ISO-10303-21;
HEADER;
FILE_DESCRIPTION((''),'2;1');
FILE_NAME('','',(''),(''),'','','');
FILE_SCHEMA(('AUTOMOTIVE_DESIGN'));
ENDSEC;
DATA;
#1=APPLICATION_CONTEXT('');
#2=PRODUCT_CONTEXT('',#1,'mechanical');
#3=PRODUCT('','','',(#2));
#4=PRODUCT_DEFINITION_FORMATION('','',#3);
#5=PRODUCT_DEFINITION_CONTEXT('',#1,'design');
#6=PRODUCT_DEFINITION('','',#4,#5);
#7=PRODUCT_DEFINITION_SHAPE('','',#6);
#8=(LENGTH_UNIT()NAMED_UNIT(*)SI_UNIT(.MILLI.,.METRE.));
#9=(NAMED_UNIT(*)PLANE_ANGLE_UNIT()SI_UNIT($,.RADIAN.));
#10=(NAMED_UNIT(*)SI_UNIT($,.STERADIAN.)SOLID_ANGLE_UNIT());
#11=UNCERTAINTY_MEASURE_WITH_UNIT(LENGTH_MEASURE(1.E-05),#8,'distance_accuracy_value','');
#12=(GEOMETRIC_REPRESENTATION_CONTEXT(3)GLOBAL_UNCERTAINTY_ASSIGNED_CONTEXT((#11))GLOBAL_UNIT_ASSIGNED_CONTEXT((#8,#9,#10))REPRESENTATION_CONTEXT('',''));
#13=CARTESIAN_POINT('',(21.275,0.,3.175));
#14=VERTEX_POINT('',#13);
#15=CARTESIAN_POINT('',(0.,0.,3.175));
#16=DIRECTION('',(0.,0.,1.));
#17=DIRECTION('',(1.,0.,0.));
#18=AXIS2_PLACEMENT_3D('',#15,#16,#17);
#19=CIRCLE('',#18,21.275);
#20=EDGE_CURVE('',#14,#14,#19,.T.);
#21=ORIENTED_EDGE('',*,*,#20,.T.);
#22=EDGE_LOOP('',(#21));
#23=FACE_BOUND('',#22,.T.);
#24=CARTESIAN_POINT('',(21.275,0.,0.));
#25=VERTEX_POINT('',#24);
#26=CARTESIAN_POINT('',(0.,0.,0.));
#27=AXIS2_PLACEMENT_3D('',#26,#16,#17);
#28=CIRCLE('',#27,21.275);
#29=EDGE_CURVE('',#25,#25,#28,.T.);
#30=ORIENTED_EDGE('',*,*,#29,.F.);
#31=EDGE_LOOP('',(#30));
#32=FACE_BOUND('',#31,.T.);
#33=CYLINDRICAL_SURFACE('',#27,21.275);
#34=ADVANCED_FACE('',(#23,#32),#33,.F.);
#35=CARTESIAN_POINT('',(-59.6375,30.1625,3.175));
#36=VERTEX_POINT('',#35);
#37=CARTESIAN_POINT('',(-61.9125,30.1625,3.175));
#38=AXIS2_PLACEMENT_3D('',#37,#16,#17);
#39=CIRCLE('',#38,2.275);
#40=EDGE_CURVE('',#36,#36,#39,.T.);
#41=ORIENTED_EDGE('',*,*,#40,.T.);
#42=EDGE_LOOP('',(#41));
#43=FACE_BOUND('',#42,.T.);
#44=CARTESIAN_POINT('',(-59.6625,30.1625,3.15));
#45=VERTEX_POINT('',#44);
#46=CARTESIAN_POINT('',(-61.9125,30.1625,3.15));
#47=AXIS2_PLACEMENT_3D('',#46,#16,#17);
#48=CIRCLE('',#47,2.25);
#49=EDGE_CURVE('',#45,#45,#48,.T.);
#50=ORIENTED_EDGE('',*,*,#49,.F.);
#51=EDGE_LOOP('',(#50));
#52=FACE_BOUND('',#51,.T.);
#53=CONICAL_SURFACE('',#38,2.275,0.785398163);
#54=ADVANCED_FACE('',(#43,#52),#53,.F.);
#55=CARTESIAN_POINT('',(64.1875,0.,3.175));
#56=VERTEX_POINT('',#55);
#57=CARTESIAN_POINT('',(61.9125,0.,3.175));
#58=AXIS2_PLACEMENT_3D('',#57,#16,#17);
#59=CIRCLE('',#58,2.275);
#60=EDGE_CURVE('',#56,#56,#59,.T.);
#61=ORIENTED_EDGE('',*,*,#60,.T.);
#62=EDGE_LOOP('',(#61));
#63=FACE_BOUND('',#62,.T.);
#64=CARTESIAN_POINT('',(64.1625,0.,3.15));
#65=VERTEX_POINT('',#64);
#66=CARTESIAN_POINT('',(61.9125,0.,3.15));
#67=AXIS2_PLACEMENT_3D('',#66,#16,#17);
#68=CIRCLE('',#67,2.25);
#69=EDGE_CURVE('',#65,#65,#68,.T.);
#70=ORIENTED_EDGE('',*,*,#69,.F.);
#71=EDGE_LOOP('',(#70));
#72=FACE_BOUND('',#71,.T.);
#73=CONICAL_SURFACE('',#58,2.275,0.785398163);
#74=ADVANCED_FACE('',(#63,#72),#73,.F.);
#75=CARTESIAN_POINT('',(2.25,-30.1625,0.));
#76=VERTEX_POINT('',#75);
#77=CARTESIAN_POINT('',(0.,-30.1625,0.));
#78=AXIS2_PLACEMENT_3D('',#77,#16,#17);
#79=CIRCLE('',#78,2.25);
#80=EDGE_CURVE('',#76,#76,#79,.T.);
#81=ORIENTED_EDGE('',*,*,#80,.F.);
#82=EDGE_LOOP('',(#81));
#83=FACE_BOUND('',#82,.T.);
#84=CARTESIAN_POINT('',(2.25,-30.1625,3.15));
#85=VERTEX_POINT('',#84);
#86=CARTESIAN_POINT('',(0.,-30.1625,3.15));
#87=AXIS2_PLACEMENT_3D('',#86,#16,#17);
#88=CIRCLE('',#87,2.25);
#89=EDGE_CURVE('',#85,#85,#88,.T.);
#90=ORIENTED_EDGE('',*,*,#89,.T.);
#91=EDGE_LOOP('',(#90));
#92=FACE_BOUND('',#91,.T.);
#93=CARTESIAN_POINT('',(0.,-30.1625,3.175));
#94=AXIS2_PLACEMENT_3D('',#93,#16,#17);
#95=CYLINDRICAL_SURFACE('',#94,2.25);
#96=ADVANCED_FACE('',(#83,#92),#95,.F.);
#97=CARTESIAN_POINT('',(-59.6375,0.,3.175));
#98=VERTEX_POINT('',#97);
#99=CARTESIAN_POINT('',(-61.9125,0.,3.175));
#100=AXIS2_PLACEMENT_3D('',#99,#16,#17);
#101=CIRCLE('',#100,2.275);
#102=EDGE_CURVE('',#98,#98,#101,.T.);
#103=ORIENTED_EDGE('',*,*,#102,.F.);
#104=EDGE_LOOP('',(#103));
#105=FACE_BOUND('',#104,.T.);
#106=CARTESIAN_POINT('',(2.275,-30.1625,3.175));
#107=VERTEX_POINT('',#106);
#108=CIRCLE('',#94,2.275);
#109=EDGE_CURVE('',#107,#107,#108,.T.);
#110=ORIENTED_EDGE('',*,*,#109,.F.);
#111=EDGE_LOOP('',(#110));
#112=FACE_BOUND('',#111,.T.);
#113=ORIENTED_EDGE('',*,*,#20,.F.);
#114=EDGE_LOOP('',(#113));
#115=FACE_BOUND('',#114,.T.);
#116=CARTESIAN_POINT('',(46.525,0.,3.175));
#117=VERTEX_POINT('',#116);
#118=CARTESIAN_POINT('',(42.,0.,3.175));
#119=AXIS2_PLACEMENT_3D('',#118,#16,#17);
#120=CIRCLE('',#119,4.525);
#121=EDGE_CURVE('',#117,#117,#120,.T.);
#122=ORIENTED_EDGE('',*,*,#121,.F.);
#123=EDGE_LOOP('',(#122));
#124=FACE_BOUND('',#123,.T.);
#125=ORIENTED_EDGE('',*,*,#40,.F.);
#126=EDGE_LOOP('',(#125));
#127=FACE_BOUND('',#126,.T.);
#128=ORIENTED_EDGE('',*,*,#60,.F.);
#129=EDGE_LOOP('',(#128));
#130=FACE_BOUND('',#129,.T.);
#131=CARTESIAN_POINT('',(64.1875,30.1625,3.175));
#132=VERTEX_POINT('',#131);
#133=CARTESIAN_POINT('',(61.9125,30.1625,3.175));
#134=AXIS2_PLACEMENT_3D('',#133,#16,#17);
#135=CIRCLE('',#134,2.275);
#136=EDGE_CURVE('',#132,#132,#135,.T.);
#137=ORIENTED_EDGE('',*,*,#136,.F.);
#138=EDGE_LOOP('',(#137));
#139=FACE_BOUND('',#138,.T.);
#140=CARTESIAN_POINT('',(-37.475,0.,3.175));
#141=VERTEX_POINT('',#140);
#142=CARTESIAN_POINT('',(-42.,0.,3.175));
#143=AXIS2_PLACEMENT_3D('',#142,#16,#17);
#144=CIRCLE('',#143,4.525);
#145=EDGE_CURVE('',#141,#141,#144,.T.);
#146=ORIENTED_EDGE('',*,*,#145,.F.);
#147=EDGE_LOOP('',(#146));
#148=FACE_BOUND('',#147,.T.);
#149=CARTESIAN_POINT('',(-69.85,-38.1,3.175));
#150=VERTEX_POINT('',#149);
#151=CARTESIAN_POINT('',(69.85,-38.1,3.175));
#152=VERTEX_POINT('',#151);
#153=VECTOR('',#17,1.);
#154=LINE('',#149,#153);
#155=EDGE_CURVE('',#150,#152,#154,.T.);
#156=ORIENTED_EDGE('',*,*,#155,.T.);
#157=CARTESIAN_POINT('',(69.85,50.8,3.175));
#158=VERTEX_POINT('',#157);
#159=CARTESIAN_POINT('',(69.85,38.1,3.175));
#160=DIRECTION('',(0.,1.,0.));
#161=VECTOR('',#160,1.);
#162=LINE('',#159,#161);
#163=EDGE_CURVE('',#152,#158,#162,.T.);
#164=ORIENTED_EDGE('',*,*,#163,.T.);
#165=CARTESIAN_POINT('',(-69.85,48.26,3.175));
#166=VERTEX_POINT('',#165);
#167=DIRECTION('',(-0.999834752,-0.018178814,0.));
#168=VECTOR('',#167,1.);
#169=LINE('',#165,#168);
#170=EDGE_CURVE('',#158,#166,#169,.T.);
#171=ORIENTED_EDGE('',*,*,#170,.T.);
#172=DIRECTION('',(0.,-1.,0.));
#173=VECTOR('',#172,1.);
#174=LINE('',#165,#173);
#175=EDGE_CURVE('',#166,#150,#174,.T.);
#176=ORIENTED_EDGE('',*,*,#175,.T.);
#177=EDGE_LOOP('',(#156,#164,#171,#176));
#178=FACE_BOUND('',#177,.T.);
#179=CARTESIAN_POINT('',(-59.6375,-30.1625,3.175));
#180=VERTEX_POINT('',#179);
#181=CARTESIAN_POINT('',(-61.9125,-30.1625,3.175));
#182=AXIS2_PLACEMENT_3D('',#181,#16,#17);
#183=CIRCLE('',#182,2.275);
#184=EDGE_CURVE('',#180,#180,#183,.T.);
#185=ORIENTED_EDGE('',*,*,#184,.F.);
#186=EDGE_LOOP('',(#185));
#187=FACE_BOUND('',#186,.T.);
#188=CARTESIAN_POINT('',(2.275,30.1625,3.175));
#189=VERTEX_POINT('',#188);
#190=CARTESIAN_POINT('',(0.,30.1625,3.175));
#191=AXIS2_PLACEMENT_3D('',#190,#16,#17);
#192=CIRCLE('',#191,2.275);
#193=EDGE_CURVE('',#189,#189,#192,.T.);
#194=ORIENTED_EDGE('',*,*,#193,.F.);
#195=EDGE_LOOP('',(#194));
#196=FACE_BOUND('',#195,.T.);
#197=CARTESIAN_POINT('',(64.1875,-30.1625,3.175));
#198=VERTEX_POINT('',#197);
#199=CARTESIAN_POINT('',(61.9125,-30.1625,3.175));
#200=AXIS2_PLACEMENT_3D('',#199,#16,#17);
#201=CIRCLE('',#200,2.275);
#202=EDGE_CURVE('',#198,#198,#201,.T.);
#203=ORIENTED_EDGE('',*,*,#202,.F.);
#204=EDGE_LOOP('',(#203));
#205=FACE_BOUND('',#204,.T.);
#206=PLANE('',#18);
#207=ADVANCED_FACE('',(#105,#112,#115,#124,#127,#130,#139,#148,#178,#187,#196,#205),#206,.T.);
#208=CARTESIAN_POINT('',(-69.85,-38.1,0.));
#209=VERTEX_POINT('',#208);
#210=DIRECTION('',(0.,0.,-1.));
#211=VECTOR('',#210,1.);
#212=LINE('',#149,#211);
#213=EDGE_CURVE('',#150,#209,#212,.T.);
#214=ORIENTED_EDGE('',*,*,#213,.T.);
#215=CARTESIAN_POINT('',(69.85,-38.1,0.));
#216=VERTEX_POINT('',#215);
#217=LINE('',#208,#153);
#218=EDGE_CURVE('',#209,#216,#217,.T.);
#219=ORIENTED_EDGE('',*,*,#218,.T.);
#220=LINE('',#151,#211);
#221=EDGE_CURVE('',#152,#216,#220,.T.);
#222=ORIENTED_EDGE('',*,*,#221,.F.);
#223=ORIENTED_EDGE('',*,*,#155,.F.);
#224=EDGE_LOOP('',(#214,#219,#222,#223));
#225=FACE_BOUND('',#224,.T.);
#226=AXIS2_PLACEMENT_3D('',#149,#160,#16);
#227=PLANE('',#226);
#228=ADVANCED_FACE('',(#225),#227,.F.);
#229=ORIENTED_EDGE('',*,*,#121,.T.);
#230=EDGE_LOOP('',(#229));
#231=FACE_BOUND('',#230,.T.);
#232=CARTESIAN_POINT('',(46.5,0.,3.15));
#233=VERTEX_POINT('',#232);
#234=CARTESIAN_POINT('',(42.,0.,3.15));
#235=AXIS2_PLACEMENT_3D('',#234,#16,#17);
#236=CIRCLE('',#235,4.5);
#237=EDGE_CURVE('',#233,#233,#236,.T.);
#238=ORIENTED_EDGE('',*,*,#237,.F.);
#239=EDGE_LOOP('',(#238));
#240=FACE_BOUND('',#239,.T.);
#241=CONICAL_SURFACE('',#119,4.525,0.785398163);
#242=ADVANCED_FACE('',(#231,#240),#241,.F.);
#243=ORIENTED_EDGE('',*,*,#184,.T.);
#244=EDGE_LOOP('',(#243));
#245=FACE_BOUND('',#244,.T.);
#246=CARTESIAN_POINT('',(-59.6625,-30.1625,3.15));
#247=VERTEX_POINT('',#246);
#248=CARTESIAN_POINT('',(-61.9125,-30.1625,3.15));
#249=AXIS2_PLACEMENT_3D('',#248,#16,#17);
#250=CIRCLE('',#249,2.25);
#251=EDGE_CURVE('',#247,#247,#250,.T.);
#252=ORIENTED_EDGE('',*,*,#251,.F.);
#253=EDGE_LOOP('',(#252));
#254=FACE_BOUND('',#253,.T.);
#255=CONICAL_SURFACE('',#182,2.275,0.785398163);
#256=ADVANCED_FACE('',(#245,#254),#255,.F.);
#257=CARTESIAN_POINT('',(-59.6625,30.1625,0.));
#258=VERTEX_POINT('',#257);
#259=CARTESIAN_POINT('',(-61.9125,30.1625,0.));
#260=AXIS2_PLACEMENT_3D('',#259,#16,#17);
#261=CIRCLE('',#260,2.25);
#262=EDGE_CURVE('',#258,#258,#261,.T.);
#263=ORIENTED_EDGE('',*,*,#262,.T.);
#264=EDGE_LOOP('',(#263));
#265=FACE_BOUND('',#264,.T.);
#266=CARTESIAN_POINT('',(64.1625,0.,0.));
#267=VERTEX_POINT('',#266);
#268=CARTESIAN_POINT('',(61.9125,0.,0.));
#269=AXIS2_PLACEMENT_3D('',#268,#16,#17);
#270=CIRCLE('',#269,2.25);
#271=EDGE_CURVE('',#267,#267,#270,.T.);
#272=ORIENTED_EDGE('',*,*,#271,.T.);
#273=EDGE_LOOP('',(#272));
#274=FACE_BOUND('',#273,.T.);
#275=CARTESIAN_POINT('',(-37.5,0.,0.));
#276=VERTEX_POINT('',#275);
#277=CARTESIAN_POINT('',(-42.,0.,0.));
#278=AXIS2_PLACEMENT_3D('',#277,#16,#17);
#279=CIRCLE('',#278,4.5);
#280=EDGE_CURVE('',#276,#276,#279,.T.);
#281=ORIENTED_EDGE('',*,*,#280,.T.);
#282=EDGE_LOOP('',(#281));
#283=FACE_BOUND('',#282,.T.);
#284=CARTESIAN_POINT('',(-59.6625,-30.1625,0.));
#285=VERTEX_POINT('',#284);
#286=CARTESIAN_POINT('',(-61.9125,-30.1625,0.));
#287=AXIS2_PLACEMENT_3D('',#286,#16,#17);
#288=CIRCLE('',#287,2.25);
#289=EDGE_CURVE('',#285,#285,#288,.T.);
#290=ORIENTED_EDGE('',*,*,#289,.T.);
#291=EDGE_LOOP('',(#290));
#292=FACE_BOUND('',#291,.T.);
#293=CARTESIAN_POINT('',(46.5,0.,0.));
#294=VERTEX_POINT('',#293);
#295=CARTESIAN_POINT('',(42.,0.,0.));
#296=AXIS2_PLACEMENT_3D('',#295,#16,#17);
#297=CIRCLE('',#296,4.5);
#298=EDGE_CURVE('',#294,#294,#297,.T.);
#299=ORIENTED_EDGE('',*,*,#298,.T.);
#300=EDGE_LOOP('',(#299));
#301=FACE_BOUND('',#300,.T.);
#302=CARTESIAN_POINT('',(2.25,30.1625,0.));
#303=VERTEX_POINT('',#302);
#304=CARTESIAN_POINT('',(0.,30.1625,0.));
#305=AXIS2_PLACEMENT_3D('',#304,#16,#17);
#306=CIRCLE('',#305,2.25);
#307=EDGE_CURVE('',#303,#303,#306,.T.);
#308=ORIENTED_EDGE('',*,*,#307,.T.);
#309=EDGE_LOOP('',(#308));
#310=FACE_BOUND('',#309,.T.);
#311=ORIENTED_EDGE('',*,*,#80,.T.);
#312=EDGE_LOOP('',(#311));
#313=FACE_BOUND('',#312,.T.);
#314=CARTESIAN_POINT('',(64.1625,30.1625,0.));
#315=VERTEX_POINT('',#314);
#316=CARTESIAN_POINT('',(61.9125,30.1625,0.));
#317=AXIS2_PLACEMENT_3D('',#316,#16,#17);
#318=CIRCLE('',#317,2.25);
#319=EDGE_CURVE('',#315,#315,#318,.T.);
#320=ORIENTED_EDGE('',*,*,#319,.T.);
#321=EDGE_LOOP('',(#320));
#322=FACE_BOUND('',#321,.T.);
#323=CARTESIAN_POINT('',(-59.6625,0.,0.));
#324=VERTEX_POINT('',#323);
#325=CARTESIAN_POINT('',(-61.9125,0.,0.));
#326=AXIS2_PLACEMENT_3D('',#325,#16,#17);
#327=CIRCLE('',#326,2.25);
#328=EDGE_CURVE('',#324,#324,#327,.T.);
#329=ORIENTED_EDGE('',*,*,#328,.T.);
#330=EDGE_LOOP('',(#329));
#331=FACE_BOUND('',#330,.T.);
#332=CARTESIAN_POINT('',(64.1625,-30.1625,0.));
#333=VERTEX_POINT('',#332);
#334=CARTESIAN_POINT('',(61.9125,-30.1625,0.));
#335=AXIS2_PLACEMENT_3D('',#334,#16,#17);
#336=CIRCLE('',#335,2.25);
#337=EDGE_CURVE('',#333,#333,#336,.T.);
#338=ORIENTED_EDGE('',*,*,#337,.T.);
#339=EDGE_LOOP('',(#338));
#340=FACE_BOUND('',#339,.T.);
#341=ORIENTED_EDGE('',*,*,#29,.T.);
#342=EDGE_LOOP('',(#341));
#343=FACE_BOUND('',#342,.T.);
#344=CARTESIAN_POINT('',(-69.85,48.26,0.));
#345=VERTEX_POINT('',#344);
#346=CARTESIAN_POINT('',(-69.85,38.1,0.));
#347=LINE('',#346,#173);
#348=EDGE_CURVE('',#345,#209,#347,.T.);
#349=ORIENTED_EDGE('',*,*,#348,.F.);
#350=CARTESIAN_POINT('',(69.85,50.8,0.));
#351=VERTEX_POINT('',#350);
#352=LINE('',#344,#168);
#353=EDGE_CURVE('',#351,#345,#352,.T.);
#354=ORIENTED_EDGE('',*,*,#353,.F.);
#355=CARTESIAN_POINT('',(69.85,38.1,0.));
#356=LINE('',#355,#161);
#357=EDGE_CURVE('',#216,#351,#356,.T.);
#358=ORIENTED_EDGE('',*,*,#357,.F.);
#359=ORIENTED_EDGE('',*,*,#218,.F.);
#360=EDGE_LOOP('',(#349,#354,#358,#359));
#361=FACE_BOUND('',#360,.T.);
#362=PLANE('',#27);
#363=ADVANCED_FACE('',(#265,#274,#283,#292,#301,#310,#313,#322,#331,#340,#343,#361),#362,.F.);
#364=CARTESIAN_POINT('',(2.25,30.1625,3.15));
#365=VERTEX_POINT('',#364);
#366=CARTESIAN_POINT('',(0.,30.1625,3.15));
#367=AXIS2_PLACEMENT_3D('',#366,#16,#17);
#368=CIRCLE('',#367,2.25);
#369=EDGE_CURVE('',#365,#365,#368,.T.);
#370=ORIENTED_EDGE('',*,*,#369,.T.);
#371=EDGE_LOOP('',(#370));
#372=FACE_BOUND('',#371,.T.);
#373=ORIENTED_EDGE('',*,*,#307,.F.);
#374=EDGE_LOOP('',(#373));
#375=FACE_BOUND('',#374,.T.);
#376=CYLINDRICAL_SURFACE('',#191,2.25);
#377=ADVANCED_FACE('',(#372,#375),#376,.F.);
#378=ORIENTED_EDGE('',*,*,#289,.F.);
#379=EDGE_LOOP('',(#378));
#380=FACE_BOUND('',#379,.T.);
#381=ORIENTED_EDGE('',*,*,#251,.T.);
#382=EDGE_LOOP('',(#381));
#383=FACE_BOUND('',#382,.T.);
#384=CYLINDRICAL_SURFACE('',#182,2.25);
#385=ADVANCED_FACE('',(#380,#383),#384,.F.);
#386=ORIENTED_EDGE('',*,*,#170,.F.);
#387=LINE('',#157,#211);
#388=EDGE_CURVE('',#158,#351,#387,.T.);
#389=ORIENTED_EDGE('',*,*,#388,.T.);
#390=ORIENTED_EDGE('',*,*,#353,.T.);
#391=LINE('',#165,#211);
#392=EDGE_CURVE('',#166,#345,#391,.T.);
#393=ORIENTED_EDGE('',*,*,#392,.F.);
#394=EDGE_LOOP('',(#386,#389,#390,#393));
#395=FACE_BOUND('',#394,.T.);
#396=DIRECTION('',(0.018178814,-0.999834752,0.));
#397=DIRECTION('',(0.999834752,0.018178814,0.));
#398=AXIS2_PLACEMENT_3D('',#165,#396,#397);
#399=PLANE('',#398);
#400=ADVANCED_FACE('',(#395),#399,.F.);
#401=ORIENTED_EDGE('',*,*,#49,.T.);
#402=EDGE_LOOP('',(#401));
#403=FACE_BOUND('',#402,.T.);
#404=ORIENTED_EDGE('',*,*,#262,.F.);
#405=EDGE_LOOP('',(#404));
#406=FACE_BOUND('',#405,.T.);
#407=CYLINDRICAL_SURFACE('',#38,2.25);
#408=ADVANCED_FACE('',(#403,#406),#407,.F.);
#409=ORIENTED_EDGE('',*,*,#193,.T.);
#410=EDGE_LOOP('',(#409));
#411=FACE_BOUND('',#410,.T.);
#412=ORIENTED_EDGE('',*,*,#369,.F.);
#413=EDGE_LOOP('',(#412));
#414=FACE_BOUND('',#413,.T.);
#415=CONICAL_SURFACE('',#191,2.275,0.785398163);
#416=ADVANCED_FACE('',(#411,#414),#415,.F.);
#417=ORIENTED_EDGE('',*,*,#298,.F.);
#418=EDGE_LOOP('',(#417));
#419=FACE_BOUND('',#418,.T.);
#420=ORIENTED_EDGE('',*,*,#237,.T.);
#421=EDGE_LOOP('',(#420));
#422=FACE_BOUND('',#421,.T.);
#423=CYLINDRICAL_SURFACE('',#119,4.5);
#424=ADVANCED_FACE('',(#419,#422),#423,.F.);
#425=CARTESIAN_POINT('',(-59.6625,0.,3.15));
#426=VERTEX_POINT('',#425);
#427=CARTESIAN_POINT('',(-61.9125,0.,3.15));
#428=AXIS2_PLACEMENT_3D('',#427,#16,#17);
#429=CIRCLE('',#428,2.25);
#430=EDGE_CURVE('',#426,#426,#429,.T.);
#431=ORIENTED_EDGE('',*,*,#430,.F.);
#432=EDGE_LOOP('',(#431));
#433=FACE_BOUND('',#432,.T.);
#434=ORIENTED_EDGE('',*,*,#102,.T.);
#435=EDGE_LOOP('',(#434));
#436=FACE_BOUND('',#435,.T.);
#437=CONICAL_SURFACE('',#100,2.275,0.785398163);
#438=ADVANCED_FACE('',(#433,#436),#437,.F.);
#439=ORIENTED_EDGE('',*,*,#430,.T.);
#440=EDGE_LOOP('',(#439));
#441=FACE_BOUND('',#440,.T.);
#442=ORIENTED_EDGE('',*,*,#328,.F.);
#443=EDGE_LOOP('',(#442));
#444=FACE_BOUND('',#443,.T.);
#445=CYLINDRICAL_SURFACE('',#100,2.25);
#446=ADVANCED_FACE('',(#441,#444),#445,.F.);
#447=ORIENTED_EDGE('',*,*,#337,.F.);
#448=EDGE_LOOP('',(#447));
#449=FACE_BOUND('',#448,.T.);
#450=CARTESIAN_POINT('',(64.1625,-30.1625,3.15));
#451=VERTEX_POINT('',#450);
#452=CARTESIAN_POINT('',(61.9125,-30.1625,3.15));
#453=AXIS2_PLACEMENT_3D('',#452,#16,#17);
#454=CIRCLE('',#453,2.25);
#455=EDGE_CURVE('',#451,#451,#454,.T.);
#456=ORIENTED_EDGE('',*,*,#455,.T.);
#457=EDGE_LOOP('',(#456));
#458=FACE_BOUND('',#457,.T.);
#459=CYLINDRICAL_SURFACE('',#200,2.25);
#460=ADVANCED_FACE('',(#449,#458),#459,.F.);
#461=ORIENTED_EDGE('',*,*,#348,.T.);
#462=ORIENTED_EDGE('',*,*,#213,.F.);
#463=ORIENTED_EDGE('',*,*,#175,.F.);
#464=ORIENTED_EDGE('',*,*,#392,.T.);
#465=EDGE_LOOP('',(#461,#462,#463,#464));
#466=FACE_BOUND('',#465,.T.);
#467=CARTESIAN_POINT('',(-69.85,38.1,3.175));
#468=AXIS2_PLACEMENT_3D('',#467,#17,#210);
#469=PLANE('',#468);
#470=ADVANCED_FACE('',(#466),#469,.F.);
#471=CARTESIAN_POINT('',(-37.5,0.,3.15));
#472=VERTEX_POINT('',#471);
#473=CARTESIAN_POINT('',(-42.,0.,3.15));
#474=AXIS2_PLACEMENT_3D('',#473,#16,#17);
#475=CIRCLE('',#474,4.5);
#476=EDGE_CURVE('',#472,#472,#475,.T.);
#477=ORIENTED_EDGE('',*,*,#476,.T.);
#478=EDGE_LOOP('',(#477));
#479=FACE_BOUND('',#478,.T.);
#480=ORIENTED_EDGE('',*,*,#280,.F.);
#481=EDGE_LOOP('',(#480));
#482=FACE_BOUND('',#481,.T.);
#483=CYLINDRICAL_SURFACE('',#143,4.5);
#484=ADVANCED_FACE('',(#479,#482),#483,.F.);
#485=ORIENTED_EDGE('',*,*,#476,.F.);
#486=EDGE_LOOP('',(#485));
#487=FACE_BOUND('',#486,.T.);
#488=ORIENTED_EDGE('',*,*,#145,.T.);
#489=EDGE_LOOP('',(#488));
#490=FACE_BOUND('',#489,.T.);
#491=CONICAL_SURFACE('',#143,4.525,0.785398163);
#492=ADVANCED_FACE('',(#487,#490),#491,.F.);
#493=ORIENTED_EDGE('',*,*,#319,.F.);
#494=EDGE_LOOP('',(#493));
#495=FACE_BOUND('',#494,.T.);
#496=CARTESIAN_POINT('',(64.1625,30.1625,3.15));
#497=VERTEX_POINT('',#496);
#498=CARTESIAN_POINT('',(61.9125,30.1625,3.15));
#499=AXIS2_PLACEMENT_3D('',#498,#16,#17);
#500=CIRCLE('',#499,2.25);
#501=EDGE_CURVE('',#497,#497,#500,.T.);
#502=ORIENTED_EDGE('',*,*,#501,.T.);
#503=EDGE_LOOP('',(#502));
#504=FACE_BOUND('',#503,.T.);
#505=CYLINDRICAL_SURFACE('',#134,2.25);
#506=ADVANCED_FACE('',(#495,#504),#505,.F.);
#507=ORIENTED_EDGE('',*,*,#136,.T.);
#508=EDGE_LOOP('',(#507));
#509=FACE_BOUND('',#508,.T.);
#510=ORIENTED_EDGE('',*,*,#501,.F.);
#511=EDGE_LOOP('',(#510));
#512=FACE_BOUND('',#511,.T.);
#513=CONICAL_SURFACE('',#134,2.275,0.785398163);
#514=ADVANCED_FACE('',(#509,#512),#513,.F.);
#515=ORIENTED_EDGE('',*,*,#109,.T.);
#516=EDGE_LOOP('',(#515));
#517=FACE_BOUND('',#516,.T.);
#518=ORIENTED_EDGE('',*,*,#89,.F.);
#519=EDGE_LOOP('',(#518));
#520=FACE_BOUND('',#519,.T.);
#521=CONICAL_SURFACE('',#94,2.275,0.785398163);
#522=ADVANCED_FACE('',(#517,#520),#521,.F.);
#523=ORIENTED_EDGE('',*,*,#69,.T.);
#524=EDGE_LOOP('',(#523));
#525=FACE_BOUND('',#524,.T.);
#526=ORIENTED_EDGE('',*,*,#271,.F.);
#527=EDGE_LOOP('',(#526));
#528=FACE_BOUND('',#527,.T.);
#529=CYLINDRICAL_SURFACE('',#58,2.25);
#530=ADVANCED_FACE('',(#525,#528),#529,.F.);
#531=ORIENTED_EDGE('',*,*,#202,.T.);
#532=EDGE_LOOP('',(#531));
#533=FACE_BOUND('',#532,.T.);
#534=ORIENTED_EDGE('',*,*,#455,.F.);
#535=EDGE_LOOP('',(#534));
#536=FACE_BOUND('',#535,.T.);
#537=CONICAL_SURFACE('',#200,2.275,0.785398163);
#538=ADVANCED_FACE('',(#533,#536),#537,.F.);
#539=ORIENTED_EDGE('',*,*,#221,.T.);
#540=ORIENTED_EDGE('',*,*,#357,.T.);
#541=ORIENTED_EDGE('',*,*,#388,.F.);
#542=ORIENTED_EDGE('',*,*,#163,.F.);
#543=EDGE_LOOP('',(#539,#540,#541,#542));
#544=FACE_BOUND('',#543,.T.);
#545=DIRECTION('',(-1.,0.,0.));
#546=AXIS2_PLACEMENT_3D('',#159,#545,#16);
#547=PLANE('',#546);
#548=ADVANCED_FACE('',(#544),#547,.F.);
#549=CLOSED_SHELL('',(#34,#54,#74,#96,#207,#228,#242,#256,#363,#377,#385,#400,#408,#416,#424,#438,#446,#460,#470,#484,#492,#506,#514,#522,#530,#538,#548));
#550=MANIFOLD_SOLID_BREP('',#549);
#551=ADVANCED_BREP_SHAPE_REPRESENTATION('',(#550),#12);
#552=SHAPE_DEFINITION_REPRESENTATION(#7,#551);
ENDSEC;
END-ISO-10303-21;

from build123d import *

# Parameters (mm, degrees)
BOSS_EXTRUDE1_DEPTH            = 3.175
M4_CLEARANCE_HOLE1_D           = 4.5
M4_CLEARANCE_HOLE1_CSINK_D     = 4.55
M4_CLEARANCE_HOLE1_CSINK_ANGLE = 90
M8_CLEARANCE_HOLE1_AT_2_COUNT  = 2
M8_CLEARANCE_HOLE1_AT_2_PITCH  = 84
SKETCH9_R                      = 21.275
CENTER_HOLE_DEPTH              = 87.427675689


with BuildPart() as part:
    # Sketch1 → Boss-Extrude1 (new body)
    with BuildSketch(Plane.XY):
        Polygon((-69.85, 48.26), (-69.85, 38.1), (-69.85, -38.1), (69.85, -38.1), (69.85, 38.1), (69.85, 50.8), align=None)
    extrude(amount=BOSS_EXTRUDE1_DEPTH)

    # M4 Clearance Hole1 (through all)
    with Locations(Plane.XY.offset(3.175)):
        with Locations((-61.9125, -30.1625), (0, -30.1625), (61.9125, -30.1625), (61.9125, 30.1625), (61.9125, 0), (0, 30.1625), (-61.9125, 30.1625), (-61.9125, 0)):
            CounterSinkHole(M4_CLEARANCE_HOLE1_D / 2, M4_CLEARANCE_HOLE1_CSINK_D / 2, counter_sink_angle=M4_CLEARANCE_HOLE1_CSINK_ANGLE)

    # Sketch11 → M8 Clearance Hole1 (revolve, cut)
    with BuildSketch(Plane(origin=(-42, 0, 3.175), x_dir=(0, -1, 0), z_dir=(1, 0, 0))):
        Polygon((0, 0), (0, 3.175), (4.5, 3.175), (4.5, 0.025), (4.525, 0), align=None)
    m8_clearance_hole1 = revolve(axis=Axis((-42, 0, 9.525), (0, 0, -1)), mode=Mode.SUBTRACT)

    # M8 Clearance Hole1 at 2: M8 Clearance Hole1 ×2
    with Locations(*[(i * M8_CLEARANCE_HOLE1_AT_2_PITCH, 0, 0) for i in range(1, M8_CLEARANCE_HOLE1_AT_2_COUNT)]):
        add(m8_clearance_hole1, mode=Mode.SUBTRACT)

    # Sketch9 → Center Hole (cut, through all)
    with BuildSketch(Plane.XY.offset(3.175)):
        Circle(SKETCH9_R)
    extrude(amount=-CENTER_HOLE_DEPTH, mode=Mode.SUBTRACT)


solid = part.part
